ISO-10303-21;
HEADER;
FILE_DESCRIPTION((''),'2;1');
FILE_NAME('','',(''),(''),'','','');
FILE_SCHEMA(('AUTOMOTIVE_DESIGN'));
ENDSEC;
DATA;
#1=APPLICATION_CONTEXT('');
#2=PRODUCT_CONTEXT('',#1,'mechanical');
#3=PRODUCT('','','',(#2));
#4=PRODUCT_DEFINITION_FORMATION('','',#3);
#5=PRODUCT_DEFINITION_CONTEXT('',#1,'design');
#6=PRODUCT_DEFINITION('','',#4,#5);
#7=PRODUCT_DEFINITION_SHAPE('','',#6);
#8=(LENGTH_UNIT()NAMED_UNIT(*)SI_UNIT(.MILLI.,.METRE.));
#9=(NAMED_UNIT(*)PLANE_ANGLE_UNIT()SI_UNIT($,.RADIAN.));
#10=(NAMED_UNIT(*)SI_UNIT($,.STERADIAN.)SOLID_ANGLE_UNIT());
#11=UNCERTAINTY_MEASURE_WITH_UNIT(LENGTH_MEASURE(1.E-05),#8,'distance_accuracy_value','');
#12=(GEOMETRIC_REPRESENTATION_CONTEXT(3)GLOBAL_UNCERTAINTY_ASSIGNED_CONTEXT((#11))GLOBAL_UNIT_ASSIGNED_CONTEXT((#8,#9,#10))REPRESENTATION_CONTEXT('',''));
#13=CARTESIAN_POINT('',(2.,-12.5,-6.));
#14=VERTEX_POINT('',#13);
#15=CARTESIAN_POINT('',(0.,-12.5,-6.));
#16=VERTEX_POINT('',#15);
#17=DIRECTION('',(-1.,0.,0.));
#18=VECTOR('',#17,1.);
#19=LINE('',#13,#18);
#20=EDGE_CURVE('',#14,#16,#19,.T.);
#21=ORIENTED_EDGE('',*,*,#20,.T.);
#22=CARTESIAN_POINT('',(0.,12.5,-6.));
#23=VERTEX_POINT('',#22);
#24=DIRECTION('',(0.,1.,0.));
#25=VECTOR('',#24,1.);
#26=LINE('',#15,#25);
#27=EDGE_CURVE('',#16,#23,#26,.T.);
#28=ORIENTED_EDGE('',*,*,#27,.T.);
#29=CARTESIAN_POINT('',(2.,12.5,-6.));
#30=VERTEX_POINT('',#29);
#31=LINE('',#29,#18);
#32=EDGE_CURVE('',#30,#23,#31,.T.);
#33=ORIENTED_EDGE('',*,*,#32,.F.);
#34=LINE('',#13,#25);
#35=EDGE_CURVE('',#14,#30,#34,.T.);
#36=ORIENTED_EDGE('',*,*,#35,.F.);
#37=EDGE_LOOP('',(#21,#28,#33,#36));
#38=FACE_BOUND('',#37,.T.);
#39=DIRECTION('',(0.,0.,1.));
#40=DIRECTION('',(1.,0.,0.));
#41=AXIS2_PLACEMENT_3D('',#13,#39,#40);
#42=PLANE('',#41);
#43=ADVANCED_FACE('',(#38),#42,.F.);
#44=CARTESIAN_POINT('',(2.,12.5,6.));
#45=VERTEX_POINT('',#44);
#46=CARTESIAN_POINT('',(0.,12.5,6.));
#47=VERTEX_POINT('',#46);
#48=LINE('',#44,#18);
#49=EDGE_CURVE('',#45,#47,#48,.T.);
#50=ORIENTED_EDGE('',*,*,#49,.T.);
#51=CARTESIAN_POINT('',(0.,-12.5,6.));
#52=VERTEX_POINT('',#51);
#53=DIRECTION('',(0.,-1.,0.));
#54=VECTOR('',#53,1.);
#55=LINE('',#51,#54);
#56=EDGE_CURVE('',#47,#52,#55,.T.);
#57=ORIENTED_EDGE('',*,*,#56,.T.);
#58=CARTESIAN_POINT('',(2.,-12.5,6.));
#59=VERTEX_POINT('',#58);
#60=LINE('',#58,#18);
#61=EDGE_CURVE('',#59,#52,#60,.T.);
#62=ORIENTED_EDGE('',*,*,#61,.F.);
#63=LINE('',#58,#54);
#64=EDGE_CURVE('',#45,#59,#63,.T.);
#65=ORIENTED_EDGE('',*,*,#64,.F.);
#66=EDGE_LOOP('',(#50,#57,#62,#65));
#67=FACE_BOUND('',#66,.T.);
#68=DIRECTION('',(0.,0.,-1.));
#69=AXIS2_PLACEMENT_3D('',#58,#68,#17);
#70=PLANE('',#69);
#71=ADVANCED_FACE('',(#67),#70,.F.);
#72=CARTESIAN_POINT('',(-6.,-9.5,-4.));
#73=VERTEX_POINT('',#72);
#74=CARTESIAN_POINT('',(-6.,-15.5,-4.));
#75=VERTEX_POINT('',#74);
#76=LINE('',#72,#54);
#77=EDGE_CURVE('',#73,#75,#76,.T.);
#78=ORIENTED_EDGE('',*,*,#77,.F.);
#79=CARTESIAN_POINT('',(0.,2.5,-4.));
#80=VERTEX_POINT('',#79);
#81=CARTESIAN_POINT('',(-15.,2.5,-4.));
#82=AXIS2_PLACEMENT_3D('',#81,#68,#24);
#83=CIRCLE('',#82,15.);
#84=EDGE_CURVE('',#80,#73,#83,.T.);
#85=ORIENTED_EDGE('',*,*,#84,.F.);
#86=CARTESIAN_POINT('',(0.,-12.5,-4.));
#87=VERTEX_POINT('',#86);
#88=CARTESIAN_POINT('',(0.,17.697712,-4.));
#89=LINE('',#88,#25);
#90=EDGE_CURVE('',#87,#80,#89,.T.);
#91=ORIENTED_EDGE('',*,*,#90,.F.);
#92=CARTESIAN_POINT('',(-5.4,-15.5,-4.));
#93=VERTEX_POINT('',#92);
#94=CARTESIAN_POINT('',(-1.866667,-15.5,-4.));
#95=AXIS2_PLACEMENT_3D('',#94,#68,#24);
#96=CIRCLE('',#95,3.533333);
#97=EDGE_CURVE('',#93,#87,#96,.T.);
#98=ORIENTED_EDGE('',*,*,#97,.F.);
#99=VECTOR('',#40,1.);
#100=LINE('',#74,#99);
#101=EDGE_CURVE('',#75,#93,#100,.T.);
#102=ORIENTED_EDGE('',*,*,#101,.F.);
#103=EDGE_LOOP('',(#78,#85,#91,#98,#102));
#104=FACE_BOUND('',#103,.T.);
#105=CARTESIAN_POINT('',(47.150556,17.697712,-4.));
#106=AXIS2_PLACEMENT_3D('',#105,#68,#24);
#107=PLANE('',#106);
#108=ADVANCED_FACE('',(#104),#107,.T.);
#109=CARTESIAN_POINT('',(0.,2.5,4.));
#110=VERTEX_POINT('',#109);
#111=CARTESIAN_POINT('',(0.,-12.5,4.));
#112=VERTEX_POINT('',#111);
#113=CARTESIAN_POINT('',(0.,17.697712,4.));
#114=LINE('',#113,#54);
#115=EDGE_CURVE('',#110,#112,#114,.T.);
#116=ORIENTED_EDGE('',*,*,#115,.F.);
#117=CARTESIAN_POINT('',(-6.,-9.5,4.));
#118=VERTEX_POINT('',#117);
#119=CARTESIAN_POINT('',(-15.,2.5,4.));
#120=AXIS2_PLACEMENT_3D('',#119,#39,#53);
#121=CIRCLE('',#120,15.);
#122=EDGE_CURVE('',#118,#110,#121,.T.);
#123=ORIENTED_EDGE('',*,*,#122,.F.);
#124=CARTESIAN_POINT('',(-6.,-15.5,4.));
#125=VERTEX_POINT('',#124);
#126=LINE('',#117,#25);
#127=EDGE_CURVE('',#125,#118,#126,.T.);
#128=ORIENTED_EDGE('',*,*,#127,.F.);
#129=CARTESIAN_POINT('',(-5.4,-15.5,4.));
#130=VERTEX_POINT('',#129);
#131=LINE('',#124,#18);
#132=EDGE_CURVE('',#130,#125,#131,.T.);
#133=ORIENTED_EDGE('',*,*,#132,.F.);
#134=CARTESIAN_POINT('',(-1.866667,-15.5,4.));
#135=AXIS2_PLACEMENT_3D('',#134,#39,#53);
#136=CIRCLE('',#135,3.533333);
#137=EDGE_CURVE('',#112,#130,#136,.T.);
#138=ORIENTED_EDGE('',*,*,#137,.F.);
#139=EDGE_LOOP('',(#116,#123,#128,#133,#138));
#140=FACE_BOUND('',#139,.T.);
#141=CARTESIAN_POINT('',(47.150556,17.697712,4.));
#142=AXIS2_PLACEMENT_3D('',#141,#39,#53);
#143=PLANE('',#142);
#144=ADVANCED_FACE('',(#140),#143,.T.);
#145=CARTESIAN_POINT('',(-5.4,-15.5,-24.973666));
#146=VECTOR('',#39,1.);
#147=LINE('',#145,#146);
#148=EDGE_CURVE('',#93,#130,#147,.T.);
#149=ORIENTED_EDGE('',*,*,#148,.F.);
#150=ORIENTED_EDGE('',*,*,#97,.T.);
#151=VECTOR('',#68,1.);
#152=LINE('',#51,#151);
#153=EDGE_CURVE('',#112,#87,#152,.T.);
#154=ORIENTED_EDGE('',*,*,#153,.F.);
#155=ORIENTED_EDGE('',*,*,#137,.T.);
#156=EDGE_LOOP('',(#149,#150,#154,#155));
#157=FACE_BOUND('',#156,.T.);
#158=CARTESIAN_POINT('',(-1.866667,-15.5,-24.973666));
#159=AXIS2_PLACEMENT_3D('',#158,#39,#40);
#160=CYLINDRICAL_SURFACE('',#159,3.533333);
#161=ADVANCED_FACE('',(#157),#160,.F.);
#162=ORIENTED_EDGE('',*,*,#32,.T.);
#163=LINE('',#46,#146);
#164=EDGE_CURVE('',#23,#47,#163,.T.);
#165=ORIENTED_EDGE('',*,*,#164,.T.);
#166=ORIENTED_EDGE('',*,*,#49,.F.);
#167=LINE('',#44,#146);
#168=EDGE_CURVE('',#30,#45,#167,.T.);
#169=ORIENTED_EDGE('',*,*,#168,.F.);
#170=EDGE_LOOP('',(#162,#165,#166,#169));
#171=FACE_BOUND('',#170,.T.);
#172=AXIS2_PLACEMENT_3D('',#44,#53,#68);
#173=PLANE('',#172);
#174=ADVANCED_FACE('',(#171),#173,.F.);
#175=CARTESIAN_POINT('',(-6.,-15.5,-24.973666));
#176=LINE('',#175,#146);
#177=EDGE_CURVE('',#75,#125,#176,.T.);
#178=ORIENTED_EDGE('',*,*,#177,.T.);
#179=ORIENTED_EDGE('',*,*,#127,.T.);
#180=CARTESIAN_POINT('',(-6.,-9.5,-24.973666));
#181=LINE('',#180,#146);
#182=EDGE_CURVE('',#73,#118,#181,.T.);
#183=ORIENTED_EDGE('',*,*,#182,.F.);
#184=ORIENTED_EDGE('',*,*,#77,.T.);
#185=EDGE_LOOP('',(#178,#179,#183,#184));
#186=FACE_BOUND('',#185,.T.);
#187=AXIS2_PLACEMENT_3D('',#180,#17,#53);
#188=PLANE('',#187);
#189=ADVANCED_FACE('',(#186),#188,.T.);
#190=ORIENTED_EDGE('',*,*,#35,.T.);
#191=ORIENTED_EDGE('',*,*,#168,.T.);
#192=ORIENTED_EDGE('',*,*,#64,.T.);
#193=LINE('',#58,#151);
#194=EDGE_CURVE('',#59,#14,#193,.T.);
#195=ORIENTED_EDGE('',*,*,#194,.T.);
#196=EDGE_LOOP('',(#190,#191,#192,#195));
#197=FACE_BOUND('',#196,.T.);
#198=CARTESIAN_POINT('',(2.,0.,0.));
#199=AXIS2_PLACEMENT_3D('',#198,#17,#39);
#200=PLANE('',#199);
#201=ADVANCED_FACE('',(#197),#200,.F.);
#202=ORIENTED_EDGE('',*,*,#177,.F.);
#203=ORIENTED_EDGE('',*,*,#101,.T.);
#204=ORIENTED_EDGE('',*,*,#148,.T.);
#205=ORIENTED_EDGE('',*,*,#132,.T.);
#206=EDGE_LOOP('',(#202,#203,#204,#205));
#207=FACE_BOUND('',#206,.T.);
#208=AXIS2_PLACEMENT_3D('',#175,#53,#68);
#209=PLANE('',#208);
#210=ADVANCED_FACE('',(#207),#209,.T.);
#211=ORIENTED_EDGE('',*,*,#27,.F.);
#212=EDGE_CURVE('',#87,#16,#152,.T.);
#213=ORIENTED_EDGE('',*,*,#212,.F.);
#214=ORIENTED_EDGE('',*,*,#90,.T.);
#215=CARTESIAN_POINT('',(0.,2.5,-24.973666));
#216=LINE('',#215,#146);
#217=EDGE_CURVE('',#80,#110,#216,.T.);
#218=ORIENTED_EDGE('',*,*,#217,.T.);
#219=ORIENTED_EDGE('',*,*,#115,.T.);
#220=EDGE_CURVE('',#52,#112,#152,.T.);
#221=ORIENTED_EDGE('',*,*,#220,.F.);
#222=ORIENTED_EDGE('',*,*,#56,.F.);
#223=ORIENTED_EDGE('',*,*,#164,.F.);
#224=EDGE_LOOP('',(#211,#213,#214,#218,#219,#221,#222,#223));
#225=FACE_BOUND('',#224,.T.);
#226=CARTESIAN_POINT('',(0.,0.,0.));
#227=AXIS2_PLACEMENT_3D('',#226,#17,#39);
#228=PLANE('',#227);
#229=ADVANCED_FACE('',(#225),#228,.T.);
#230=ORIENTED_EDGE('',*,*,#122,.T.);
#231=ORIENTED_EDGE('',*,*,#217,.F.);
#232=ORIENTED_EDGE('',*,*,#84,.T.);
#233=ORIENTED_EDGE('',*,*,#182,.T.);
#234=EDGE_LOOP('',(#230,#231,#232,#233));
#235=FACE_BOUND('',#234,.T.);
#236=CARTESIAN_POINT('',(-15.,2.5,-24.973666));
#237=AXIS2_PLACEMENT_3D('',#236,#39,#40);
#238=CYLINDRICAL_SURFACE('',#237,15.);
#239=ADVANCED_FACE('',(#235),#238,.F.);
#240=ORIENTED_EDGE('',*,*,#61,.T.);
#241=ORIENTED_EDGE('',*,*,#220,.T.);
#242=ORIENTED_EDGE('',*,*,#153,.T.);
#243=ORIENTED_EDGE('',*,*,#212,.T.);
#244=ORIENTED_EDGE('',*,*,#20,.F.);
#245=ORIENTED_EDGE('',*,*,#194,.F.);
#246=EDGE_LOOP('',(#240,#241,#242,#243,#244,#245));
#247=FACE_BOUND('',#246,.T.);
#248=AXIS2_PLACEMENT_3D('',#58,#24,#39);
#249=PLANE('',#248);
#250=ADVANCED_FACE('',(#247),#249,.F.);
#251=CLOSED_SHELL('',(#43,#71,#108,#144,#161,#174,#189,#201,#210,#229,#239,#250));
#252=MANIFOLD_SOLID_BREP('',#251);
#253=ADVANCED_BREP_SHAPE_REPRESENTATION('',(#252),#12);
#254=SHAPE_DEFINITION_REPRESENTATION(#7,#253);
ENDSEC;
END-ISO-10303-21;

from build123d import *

# Parameters (mm, degrees)
SKETCH1_W           = 12
SKETCH1_H           = 25
BOSS_EXTRUDE1_DEPTH = 2
BOSS_EXTRUDE2_DEPTH = 12
CUT_EXTRUDE1_REACH  = 20.446
SKETCH3_W           = 23.047029748
SKETCH3_H           = 41.13404119
SKETCH3_W_2         = 8
SKETCH3_H_2         = 35.39542334


with BuildPart() as part:
    # Sketch1 → Boss-Extrude1 (new body)
    with BuildSketch(Plane(origin=(0, 0, 0), x_dir=(0, 0, -1), z_dir=(1, 0, 0))):
        Rectangle(SKETCH1_W, SKETCH1_H)
    extrude(amount=BOSS_EXTRUDE1_DEPTH)

    # Sketch2 → Boss-Extrude2 (add)
    with BuildSketch(Plane.XY.offset(6)):
        with BuildLine():
            Line((-6, -9.5), (-6, -15.5))
            Line((-6, -15.5), (-5.4, -15.5))
            ThreePointArc((-5.4, -15.5), (-3.582605023, -12.411310958), (0, -12.5))
            Line((0, -12.5), (0, 2.5))
            ThreePointArc((0, 2.5), (-1.583592135, -4.208203932), (-6, -9.5))
        make_face()
    extrude(amount=-BOSS_EXTRUDE2_DEPTH)

    # Cut-Extrude1: up to this face of the body (flat: up to its plane)
    cut_extrude1_end = Plane(part.part.faces().sort_by_distance((0, 7.5, 0))[0])
    # Sketch3 → Cut-Extrude1 (cut, up to the picked face)
    with BuildSketch(Plane.ZY.offset(6), mode=Mode.PRIVATE) as cut_extrude1_sk1:
        Rectangle(SKETCH3_W, SKETCH3_H)
        Rectangle(SKETCH3_W_2, SKETCH3_H_2, mode=Mode.SUBTRACT)
    cut_extrude1_tool1 = split(extrude(cut_extrude1_sk1.sketch, amount=-CUT_EXTRUDE1_REACH, mode=Mode.PRIVATE), bisect_by=cut_extrude1_end, keep=Keep.BOTH, mode=Mode.PRIVATE)
    add(cut_extrude1_tool1.solids().sort_by(Axis((-6, 20.095515, 0), (1, 0, 0)))[0], mode=Mode.SUBTRACT)


solid = part.part
